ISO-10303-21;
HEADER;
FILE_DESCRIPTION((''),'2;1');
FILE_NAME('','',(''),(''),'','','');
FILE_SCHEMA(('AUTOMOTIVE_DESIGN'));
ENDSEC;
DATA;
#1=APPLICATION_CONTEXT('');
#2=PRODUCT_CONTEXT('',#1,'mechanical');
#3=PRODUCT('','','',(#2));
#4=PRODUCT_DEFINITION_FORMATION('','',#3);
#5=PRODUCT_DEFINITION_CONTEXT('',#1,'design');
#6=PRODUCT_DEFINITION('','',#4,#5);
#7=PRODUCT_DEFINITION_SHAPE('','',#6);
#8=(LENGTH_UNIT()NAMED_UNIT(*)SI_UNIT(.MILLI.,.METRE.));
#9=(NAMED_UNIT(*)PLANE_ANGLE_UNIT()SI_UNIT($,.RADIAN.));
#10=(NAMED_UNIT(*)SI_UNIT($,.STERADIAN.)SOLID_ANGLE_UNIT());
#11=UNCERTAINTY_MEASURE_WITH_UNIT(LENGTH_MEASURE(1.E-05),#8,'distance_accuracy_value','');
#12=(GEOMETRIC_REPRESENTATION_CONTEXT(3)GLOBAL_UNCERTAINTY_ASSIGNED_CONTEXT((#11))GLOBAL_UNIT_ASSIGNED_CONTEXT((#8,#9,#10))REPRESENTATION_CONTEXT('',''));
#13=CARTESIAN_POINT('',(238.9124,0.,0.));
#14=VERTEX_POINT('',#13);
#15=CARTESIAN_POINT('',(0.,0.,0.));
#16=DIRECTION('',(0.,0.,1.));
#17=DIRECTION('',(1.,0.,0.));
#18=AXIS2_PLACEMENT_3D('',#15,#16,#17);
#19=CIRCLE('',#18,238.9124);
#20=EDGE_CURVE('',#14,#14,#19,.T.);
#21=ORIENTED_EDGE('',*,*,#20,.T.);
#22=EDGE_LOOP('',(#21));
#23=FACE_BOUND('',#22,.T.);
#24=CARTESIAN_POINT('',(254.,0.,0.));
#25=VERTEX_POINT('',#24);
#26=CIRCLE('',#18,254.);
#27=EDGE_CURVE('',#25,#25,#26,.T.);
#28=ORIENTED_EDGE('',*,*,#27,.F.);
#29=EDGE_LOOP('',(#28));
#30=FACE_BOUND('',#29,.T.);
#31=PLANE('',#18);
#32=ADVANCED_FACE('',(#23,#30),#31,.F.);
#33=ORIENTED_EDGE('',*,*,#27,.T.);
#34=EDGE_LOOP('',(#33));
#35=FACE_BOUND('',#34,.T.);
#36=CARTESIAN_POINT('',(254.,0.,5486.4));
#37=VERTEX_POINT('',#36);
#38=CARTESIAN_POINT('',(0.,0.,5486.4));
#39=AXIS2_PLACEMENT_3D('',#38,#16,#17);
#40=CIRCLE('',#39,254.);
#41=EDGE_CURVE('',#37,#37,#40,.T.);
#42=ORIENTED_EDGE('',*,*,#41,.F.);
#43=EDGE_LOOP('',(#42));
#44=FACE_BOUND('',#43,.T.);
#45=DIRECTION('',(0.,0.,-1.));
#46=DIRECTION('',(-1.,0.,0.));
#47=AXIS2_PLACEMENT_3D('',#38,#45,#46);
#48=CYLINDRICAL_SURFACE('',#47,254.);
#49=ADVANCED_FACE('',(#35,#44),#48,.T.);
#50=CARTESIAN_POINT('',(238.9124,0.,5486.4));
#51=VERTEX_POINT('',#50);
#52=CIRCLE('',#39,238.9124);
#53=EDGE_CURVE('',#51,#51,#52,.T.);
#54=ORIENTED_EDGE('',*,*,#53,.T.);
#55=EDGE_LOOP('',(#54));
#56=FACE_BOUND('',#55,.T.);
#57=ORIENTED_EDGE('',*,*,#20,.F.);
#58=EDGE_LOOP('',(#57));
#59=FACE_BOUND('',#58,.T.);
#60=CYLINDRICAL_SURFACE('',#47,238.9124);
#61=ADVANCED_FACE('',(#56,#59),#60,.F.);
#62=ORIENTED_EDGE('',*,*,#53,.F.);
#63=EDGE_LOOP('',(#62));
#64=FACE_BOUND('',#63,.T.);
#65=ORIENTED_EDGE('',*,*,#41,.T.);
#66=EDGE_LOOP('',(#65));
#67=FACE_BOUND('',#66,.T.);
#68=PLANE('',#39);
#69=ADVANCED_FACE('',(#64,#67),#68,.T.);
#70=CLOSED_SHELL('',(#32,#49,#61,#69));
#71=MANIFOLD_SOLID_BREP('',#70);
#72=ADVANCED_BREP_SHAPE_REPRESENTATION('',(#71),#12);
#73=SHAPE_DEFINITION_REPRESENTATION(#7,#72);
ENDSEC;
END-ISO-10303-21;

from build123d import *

# Parameters (mm, degrees)
PIPESKETCH_R    = 254
PIPESKETCH_R_2  = 238.9124
EXTRUSION_DEPTH = 5486.4


with BuildPart() as part:
    # PipeSketch → Extrusion (new body)
    with BuildSketch(Plane.XY):
        Circle(PIPESKETCH_R)
        Circle(PIPESKETCH_R_2, mode=Mode.SUBTRACT)
    extrude(amount=EXTRUSION_DEPTH)


solid = part.part
